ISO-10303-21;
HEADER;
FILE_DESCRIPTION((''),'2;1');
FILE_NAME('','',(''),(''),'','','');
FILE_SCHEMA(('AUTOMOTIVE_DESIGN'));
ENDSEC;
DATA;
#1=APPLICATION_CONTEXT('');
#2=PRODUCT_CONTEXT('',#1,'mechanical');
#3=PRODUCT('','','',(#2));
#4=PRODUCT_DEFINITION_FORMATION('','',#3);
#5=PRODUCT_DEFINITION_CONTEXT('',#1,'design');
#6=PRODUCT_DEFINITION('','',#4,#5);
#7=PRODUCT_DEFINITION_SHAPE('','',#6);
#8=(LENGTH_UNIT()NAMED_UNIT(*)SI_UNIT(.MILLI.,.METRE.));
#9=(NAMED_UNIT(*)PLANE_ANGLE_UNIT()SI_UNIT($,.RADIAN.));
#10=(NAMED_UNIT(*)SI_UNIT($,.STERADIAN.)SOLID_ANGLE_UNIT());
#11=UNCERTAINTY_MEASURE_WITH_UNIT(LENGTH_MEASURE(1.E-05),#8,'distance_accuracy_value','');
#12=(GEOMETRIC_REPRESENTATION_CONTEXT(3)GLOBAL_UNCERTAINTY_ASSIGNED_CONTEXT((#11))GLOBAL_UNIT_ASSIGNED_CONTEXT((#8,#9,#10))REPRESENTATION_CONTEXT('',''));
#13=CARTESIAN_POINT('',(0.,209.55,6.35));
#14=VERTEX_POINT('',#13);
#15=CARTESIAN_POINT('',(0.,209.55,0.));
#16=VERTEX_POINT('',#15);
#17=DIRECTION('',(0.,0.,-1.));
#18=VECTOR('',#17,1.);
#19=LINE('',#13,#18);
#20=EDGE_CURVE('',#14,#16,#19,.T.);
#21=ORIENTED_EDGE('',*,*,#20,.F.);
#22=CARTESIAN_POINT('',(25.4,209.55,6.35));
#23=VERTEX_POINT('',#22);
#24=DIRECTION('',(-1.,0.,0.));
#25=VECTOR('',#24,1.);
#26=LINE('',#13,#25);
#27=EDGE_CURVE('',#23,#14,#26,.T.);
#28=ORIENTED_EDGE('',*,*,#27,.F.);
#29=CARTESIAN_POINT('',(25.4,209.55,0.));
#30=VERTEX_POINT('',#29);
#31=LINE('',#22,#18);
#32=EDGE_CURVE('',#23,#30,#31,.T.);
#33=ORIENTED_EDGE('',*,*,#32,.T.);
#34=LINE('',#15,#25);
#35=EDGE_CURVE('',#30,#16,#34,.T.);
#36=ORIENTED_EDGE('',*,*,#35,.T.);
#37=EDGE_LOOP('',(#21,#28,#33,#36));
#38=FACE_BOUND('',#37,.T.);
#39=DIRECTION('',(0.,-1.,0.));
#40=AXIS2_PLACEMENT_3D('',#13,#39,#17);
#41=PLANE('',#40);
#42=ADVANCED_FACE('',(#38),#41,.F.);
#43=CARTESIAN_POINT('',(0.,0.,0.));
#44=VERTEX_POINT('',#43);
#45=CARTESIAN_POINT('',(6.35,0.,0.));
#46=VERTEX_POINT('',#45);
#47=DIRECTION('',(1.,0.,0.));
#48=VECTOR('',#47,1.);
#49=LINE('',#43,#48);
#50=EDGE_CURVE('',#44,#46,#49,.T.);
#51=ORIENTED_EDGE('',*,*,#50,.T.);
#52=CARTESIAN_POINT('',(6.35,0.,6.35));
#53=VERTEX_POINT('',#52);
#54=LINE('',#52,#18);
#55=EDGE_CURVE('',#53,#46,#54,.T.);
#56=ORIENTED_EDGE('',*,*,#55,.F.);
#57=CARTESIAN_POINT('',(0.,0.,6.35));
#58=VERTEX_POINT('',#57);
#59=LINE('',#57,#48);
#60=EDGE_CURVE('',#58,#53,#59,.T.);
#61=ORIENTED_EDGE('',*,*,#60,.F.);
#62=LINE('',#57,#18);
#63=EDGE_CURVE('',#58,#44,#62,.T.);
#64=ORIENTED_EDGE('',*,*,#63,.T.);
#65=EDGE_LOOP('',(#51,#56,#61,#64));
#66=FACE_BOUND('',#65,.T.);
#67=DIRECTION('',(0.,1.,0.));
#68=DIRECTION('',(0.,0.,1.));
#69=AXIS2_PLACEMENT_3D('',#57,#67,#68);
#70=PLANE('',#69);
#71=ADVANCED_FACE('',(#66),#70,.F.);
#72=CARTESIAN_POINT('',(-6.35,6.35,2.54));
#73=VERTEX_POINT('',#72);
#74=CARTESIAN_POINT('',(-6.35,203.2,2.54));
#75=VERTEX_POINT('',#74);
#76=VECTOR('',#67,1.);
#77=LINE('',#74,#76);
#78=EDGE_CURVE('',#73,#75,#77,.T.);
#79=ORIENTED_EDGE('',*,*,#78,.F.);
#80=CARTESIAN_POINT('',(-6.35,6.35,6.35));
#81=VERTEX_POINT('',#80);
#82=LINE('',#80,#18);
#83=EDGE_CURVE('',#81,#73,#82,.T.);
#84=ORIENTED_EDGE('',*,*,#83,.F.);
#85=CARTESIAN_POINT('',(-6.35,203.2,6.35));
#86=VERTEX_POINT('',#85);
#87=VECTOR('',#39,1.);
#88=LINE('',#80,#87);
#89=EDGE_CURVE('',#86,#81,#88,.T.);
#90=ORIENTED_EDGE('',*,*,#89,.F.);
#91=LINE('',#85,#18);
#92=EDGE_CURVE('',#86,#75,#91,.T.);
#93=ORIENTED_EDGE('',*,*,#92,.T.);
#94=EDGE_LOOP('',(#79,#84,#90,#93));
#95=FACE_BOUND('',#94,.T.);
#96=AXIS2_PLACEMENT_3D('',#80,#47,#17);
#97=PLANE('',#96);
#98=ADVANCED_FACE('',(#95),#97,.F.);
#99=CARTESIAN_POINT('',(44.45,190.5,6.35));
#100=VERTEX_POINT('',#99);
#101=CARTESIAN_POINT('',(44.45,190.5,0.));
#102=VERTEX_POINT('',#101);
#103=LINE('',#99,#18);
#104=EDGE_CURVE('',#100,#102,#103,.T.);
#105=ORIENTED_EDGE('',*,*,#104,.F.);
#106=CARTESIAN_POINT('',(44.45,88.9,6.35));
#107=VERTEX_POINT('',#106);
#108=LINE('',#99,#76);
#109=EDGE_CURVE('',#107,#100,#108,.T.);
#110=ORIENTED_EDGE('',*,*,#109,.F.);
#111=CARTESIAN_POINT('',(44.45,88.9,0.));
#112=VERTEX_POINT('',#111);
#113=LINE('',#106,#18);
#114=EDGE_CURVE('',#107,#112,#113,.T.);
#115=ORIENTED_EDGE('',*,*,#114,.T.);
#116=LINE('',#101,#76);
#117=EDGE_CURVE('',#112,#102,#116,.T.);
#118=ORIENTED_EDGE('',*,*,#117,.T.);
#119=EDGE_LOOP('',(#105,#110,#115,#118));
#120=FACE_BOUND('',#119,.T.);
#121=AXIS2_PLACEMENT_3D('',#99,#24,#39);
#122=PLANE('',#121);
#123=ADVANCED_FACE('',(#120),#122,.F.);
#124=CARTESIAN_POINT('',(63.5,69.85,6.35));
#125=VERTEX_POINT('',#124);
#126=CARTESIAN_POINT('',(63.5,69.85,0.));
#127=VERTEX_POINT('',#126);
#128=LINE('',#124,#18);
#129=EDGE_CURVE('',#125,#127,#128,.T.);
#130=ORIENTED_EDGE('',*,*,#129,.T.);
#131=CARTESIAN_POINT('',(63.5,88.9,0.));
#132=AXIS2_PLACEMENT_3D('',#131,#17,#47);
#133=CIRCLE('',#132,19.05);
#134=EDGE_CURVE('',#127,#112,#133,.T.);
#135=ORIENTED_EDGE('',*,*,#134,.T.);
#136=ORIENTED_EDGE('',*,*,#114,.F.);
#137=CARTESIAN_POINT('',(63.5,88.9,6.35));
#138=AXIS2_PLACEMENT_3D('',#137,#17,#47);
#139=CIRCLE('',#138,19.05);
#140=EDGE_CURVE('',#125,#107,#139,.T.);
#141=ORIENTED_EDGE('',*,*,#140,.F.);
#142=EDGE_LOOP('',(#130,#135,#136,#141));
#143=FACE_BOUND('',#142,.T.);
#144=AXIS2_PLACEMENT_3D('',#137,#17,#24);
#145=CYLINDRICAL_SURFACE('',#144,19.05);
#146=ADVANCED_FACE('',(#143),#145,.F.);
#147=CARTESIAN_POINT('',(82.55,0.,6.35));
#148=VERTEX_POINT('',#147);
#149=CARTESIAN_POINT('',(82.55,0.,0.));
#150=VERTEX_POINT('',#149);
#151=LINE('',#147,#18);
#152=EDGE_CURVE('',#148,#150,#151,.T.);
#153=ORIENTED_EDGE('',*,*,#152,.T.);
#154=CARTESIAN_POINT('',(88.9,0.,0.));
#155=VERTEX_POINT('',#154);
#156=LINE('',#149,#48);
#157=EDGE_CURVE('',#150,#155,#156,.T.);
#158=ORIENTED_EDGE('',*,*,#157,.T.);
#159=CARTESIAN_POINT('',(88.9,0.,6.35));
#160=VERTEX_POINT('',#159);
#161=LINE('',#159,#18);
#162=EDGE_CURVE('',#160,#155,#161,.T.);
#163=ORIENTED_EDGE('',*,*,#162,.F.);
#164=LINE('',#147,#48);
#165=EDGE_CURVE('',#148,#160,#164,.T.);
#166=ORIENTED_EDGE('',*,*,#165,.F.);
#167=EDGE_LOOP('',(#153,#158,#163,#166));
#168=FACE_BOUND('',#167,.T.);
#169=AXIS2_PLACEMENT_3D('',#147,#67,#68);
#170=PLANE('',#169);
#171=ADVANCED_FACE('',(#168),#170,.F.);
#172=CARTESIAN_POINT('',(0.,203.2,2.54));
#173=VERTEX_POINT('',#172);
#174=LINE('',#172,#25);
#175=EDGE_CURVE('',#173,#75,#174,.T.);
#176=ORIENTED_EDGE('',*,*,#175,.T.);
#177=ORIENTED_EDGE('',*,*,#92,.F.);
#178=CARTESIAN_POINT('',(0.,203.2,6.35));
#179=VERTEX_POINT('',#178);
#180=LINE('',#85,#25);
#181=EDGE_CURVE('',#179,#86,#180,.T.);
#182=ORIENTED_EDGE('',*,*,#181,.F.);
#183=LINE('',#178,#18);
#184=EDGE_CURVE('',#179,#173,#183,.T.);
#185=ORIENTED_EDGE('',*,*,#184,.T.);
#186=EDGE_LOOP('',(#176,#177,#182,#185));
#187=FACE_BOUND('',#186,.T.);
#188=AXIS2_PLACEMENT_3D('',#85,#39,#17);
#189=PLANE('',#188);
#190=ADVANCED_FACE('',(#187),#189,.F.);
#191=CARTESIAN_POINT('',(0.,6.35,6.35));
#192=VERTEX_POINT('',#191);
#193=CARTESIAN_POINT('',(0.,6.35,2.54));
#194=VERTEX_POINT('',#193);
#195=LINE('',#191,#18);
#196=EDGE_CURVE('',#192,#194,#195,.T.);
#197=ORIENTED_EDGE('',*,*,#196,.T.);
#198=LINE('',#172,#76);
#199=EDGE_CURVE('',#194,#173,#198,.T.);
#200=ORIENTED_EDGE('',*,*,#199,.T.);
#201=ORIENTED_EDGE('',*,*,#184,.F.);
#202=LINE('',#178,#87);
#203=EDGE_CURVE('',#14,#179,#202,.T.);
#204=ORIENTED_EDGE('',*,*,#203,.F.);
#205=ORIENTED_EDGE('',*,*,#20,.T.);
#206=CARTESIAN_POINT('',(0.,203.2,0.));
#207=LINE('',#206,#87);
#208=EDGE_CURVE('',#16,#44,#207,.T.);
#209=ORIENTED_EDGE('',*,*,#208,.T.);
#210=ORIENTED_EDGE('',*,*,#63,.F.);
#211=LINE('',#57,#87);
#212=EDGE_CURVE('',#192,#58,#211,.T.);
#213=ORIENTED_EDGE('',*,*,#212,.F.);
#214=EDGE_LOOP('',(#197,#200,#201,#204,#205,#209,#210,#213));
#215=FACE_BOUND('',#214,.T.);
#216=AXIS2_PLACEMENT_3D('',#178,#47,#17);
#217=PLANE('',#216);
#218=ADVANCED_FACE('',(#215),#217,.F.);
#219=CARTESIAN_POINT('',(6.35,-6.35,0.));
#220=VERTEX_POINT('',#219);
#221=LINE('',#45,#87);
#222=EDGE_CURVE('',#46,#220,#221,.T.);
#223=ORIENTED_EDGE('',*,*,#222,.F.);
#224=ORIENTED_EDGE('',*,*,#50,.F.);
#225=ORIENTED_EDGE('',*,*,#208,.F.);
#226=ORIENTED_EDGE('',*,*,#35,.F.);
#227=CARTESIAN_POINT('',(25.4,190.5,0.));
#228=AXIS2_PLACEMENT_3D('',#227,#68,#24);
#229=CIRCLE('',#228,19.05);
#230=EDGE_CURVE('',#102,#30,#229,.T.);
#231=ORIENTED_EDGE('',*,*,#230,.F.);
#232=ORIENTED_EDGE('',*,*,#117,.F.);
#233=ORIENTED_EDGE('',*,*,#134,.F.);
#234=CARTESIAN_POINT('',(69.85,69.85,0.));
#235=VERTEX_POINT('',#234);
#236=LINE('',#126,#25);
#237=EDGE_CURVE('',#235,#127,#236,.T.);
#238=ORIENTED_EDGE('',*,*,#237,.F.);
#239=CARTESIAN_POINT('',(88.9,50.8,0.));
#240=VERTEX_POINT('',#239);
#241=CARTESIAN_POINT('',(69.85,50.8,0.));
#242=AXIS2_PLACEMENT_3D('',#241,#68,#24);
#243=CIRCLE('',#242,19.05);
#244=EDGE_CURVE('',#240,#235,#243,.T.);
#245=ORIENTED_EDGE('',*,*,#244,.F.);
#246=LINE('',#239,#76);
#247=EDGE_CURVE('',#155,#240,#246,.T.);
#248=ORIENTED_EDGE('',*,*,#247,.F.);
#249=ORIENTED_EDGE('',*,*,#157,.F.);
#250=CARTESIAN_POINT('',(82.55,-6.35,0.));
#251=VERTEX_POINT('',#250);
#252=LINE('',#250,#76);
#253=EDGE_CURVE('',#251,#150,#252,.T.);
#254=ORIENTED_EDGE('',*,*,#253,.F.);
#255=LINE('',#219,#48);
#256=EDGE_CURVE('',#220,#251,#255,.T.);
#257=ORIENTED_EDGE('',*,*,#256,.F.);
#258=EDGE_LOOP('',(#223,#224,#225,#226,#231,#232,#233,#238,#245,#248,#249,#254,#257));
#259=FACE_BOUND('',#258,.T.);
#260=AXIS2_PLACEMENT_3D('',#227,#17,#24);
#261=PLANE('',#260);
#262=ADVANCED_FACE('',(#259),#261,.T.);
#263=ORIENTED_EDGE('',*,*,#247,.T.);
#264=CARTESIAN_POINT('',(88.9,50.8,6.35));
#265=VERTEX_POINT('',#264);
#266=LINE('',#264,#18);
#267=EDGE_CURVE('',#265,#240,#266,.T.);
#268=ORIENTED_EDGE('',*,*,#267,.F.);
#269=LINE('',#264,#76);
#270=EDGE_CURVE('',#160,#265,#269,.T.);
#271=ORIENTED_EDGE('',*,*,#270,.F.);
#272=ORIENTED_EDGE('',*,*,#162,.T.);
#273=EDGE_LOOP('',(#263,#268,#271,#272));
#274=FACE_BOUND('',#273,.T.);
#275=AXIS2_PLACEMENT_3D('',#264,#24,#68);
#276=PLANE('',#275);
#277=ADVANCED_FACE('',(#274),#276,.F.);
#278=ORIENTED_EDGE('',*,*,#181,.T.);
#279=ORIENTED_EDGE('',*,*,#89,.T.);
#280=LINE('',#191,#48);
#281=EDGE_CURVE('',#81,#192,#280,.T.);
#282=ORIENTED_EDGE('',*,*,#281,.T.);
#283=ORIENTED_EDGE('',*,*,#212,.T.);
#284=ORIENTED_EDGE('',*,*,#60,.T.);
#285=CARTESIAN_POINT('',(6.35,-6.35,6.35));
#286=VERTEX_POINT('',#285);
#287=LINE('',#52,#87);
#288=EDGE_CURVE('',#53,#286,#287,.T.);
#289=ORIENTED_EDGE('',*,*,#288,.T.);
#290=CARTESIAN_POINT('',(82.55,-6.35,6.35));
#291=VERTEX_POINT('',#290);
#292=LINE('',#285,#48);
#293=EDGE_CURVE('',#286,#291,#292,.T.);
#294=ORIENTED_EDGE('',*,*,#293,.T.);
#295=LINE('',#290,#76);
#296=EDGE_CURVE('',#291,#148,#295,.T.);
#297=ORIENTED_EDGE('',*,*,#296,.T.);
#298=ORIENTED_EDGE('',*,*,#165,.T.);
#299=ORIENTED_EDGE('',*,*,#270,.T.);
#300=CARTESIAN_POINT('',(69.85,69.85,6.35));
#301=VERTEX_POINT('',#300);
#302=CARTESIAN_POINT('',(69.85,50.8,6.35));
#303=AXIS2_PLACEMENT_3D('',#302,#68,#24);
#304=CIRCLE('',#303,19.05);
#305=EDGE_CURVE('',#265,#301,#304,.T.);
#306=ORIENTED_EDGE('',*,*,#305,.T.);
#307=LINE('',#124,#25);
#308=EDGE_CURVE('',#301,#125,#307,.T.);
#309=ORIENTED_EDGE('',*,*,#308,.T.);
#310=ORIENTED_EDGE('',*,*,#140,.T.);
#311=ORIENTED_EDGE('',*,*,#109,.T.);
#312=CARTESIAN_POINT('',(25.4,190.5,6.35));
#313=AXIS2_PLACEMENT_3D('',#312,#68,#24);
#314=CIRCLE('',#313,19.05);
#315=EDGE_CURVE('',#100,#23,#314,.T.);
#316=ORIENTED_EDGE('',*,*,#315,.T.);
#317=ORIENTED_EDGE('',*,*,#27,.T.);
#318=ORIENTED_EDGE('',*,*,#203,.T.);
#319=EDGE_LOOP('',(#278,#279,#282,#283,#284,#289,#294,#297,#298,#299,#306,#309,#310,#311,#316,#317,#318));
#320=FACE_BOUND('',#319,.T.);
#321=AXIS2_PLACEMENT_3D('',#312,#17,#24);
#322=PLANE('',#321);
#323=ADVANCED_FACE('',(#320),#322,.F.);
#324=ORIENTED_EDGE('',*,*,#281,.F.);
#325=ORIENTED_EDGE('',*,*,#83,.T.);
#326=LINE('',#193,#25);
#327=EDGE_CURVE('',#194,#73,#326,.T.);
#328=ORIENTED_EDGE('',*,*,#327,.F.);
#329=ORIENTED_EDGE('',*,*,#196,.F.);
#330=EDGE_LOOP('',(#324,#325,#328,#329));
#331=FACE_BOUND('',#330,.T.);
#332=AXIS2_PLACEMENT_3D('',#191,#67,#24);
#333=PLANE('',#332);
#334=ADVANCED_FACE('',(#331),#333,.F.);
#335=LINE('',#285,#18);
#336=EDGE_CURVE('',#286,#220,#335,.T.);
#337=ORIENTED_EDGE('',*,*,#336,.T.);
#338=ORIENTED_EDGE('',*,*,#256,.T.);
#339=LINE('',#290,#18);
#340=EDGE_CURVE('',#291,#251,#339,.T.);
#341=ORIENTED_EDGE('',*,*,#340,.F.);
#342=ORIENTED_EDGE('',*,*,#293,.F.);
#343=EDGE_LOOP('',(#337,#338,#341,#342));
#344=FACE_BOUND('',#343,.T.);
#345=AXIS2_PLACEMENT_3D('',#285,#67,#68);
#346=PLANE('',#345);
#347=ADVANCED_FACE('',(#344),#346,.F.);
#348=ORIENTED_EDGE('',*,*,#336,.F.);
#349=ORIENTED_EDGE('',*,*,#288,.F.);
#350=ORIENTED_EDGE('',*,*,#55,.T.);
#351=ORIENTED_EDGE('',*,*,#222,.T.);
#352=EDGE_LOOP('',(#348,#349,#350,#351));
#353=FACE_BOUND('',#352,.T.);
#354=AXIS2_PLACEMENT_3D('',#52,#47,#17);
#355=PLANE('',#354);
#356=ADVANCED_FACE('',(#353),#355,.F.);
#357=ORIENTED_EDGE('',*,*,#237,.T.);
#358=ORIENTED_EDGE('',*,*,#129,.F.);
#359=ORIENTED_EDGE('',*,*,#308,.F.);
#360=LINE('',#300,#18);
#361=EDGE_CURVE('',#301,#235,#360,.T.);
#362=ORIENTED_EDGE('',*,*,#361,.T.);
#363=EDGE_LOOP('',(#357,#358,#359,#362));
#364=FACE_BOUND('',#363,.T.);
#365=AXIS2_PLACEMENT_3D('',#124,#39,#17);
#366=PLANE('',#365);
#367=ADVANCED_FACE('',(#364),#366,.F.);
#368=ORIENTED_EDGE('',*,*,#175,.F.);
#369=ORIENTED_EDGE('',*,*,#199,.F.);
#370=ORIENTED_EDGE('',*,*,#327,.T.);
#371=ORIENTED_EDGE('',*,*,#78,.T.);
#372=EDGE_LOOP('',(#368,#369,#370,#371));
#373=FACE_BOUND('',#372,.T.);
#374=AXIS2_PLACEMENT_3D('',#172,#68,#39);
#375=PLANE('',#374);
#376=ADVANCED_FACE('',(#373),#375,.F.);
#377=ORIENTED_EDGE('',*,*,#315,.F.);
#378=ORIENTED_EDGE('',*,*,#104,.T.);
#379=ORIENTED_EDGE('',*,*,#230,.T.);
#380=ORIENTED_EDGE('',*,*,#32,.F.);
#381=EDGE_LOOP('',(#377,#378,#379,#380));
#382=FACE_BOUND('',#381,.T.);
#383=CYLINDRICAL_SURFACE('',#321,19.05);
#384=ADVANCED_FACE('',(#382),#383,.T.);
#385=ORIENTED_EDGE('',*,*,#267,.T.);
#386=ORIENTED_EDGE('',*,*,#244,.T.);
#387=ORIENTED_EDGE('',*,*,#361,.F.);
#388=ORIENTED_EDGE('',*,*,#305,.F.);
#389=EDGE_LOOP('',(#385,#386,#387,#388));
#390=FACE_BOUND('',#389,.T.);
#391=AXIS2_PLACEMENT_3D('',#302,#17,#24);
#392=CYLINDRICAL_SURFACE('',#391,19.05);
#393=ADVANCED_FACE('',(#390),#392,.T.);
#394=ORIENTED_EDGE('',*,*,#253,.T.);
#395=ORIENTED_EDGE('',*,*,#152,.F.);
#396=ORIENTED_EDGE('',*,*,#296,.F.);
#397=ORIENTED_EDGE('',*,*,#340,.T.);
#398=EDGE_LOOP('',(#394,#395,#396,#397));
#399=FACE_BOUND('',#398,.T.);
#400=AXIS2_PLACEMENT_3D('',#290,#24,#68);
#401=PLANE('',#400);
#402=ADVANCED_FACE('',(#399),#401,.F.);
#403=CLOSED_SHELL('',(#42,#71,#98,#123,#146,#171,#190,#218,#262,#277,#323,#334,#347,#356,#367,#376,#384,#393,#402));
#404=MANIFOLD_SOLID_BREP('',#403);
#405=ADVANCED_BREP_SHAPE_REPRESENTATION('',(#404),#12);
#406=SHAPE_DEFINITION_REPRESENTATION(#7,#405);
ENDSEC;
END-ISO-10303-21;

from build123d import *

# Parameters (mm, degrees)
SALIENTE_EXTRUIR3_DEPTH = 6.35
CROQUIS5_W              = 2.54
CROQUIS5_H              = 196.85
CORTAR_EXTRUIR1_DEPTH   = 6.35


with BuildPart() as part:
    # Croquis2 → Saliente-Extruir3 (new body)
    with BuildSketch(Plane.XY):
        with BuildLine():
            Line((0, 0), (6.35, 0))
            Line((6.35, 0), (6.35, -6.35))
            Line((6.35, -6.35), (82.55, -6.35))
            Line((82.55, -6.35), (82.55, 0))
            Line((82.55, 0), (88.9, 0))
            Line((88.9, 0), (88.9, 50.8))
            ThreePointArc((88.9, 50.8), (83.320384182, 64.270384182), (69.85, 69.85))
            Line((69.85, 69.85), (63.5, 69.85))
            ThreePointArc((63.5, 69.85), (50.029615818, 75.429615818), (44.45, 88.9))
            Line((44.45, 88.9), (44.45, 190.5))
            ThreePointArc((44.45, 190.5), (38.870384182, 203.970384182), (25.4, 209.55))
            Line((25.4, 209.55), (0, 209.55))
            Line((0, 209.55), (0, 203.2))
            Line((0, 203.2), (-6.35, 203.2))
            Line((-6.35, 203.2), (-6.35, 6.35))
            Line((-6.35, 6.35), (0, 6.35))
            Line((0, 6.35), (0, 0))
        make_face()
    extrude(amount=SALIENTE_EXTRUIR3_DEPTH)

    # Croquis5 → Cortar-Extruir1 (cut)
    with BuildSketch(Plane.ZY.offset(6.35)):
        with Locations((1.27, 104.775)):
            Rectangle(CROQUIS5_W, CROQUIS5_H)
    extrude(amount=-CORTAR_EXTRUIR1_DEPTH, mode=Mode.SUBTRACT)


solid = part.part
